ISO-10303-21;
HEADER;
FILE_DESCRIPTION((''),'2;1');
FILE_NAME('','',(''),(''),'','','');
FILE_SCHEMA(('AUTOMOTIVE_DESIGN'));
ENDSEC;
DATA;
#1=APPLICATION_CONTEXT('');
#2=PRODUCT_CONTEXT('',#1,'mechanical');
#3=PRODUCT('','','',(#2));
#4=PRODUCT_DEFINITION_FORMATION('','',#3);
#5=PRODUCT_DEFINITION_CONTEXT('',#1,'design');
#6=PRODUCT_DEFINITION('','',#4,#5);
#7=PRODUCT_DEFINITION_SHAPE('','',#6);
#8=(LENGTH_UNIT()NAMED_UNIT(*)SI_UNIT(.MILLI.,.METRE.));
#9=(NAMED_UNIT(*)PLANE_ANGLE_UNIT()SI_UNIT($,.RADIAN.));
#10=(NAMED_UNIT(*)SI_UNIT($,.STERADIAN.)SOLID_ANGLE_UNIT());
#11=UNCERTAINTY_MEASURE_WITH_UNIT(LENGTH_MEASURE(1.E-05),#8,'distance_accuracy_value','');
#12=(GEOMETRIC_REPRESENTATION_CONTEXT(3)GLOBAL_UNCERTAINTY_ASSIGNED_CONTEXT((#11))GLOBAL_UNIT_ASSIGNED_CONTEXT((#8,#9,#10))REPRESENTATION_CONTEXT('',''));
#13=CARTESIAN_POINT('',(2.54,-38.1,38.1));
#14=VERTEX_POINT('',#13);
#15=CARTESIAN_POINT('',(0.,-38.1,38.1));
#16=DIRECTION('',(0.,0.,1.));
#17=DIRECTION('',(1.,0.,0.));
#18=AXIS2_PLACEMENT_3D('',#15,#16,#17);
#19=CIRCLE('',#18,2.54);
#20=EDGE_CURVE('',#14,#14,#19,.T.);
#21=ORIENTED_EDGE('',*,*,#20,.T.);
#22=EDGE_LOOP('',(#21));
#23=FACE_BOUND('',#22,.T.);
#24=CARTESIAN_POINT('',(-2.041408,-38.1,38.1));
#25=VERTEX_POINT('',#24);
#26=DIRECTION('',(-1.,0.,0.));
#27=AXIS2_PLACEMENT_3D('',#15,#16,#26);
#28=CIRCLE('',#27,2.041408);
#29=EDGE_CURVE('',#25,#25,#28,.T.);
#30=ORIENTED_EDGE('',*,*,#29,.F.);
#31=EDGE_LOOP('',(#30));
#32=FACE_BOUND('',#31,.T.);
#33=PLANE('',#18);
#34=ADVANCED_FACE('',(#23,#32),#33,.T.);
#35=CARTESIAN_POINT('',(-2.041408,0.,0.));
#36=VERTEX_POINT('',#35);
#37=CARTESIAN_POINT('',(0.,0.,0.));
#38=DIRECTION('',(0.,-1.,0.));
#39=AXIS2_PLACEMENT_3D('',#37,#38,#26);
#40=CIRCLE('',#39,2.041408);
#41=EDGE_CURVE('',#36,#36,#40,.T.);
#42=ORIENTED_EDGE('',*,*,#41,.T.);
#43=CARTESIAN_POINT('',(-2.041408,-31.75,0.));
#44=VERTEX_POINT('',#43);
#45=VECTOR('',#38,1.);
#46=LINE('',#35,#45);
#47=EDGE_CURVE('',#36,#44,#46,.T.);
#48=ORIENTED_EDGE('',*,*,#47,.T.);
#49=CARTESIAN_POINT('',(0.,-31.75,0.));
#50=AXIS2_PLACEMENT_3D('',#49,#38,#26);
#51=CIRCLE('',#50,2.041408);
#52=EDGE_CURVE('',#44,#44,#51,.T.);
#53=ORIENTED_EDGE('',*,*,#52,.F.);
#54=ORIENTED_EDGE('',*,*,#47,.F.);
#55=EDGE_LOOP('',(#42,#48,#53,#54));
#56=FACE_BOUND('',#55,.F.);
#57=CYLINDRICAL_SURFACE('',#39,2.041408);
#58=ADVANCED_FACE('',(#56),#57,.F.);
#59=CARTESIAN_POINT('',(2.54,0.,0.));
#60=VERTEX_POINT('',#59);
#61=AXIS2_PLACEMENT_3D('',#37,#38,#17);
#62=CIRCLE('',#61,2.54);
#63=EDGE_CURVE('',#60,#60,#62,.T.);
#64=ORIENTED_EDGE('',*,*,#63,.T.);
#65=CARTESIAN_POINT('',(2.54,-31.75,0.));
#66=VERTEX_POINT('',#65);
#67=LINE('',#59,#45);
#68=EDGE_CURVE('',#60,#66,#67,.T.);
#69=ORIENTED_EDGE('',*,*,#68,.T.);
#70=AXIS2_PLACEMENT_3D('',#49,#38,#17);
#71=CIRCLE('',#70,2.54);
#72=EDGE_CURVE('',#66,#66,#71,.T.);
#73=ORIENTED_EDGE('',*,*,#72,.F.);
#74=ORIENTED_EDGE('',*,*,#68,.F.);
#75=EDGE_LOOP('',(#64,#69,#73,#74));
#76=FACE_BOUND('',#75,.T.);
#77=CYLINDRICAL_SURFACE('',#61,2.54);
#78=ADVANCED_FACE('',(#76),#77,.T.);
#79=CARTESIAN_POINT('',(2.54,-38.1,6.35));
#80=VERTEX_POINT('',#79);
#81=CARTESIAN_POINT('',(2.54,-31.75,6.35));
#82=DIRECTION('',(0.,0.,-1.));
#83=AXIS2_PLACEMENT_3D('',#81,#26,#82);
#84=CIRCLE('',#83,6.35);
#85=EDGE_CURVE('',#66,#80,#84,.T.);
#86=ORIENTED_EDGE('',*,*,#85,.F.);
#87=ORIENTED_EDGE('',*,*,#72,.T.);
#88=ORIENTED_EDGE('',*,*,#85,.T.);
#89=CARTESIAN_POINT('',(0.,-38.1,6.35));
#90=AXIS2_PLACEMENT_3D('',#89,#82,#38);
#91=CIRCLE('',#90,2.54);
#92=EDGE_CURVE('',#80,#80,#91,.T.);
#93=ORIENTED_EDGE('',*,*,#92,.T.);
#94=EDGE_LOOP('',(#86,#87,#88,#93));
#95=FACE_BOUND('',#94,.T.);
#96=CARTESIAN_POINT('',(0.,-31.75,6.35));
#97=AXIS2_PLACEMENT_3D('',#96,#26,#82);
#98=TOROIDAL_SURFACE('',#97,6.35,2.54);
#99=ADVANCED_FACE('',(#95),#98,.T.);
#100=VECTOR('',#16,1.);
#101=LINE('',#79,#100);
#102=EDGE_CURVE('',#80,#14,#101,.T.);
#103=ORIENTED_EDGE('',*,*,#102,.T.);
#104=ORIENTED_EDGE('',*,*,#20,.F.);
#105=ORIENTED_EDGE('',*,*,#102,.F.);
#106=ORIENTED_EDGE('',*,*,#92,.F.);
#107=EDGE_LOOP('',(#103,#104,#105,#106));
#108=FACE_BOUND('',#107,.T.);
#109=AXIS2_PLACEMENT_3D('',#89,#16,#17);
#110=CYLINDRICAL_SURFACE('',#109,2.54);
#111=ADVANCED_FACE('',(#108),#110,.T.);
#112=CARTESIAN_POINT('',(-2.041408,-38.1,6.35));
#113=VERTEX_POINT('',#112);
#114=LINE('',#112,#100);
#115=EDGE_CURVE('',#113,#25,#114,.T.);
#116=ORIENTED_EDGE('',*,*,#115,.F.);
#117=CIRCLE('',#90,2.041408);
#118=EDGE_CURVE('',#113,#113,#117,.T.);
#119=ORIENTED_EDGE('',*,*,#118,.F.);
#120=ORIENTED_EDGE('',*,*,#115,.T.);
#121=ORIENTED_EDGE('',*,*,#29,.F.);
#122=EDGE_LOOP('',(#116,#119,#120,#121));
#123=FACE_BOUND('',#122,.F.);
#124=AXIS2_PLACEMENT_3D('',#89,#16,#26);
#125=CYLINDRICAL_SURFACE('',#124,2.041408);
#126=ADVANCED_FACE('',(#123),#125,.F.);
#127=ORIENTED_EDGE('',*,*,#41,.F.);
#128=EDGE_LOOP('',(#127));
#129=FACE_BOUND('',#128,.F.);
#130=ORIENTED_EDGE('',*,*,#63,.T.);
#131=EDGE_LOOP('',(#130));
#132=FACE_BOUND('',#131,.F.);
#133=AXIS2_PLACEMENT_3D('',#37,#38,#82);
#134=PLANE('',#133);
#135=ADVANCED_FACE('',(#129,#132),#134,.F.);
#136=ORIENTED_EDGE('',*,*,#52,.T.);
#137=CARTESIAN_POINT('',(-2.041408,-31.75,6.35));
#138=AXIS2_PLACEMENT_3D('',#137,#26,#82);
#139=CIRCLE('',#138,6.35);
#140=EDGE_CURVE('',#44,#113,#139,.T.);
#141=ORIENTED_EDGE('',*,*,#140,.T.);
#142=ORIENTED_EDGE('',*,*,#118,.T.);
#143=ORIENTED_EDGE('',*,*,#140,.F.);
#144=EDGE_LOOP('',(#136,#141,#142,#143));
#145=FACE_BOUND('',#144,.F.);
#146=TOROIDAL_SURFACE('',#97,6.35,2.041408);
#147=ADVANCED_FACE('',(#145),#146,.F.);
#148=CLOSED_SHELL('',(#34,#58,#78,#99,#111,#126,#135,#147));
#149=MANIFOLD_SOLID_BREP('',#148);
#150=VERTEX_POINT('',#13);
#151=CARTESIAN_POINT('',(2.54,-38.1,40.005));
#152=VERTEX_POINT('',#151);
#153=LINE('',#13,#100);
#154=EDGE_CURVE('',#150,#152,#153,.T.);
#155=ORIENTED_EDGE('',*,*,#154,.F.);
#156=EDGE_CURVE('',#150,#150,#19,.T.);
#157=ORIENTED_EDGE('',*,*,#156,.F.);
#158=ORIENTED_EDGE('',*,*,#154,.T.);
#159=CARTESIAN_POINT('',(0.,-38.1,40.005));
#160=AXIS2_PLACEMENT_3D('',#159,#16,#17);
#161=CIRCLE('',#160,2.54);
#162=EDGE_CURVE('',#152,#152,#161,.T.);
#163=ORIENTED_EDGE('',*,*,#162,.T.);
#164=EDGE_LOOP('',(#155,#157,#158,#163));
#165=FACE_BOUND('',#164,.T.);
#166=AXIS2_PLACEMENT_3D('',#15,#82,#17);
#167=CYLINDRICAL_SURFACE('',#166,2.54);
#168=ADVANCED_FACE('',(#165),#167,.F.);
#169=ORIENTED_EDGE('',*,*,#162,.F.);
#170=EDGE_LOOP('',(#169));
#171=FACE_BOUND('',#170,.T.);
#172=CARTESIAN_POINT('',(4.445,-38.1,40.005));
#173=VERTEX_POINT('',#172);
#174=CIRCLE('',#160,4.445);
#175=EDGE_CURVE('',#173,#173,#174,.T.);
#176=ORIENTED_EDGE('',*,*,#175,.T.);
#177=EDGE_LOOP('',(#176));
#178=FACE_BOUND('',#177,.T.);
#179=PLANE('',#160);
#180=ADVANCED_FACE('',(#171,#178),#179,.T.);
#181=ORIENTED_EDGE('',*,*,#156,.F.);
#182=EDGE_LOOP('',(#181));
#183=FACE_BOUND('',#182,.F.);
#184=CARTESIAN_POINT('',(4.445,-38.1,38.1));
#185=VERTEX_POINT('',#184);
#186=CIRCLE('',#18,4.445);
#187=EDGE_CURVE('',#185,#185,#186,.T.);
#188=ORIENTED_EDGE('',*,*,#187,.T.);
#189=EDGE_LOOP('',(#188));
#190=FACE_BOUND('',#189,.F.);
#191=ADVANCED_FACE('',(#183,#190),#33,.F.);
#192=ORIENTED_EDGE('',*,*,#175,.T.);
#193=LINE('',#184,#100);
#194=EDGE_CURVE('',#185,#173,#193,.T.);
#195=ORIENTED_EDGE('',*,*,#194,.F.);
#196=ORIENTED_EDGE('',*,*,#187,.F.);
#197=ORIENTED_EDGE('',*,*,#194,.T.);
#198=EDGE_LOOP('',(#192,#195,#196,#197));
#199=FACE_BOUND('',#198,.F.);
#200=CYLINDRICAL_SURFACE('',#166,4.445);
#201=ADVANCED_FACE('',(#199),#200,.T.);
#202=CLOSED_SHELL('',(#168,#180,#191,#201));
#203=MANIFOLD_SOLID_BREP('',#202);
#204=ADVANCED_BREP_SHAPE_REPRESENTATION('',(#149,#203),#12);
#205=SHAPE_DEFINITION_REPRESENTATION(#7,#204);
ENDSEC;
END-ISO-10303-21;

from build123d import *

# Parameters (mm, degrees)
F0_R     = 2.54
F3_R     = 4.445
F3_R_2   = 2.54
F4_DEPTH = 1.905
F5_R     = 2.0414079802


with BuildPart() as f2:
    # F2: sweep along a path in F1
    with BuildLine(Plane.YZ) as f2_path:
        Line((0, 0), (-31.75, 0))
        ThreePointArc((-31.75, 0), (-36.2401280605, 1.8598719395), (-38.1, 6.35))
        Line((-38.1, 6.35), (-38.1, 38.1))
    # F0 (on Front) → F2 (sweep)
    with BuildSketch(Plane.XZ):
        Circle(F0_R)
    sweep(path=f2_path.line)

    # F6: sweep along a path in F1
    with BuildLine(Plane.YZ) as f6_path:
        Line((0, 0), (-31.75, 0))
        ThreePointArc((-31.75, 0), (-36.2401280605, 1.8598719395), (-38.1, 6.35))
        Line((-38.1, 6.35), (-38.1, 38.1))
    # F5 (on face) → F6 (sweep, cut)
    with BuildSketch(Plane(origin=(0, 0, 0), x_dir=(-1, 0, 0), z_dir=(0, 1, 0))):
        Circle(F5_R)
    sweep(path=f6_path.line, mode=Mode.SUBTRACT)


with BuildPart() as f4:
    # F3 (on face) → F4 (new body)
    with BuildSketch(Plane.XY.offset(38.1)):
        with Locations((0, -38.1)):
            Circle(F3_R)
        with Locations((0, -38.1)):
            Circle(F3_R_2, mode=Mode.SUBTRACT)
    extrude(amount=F4_DEPTH)


solid = Compound([f2.part, f4.part])
